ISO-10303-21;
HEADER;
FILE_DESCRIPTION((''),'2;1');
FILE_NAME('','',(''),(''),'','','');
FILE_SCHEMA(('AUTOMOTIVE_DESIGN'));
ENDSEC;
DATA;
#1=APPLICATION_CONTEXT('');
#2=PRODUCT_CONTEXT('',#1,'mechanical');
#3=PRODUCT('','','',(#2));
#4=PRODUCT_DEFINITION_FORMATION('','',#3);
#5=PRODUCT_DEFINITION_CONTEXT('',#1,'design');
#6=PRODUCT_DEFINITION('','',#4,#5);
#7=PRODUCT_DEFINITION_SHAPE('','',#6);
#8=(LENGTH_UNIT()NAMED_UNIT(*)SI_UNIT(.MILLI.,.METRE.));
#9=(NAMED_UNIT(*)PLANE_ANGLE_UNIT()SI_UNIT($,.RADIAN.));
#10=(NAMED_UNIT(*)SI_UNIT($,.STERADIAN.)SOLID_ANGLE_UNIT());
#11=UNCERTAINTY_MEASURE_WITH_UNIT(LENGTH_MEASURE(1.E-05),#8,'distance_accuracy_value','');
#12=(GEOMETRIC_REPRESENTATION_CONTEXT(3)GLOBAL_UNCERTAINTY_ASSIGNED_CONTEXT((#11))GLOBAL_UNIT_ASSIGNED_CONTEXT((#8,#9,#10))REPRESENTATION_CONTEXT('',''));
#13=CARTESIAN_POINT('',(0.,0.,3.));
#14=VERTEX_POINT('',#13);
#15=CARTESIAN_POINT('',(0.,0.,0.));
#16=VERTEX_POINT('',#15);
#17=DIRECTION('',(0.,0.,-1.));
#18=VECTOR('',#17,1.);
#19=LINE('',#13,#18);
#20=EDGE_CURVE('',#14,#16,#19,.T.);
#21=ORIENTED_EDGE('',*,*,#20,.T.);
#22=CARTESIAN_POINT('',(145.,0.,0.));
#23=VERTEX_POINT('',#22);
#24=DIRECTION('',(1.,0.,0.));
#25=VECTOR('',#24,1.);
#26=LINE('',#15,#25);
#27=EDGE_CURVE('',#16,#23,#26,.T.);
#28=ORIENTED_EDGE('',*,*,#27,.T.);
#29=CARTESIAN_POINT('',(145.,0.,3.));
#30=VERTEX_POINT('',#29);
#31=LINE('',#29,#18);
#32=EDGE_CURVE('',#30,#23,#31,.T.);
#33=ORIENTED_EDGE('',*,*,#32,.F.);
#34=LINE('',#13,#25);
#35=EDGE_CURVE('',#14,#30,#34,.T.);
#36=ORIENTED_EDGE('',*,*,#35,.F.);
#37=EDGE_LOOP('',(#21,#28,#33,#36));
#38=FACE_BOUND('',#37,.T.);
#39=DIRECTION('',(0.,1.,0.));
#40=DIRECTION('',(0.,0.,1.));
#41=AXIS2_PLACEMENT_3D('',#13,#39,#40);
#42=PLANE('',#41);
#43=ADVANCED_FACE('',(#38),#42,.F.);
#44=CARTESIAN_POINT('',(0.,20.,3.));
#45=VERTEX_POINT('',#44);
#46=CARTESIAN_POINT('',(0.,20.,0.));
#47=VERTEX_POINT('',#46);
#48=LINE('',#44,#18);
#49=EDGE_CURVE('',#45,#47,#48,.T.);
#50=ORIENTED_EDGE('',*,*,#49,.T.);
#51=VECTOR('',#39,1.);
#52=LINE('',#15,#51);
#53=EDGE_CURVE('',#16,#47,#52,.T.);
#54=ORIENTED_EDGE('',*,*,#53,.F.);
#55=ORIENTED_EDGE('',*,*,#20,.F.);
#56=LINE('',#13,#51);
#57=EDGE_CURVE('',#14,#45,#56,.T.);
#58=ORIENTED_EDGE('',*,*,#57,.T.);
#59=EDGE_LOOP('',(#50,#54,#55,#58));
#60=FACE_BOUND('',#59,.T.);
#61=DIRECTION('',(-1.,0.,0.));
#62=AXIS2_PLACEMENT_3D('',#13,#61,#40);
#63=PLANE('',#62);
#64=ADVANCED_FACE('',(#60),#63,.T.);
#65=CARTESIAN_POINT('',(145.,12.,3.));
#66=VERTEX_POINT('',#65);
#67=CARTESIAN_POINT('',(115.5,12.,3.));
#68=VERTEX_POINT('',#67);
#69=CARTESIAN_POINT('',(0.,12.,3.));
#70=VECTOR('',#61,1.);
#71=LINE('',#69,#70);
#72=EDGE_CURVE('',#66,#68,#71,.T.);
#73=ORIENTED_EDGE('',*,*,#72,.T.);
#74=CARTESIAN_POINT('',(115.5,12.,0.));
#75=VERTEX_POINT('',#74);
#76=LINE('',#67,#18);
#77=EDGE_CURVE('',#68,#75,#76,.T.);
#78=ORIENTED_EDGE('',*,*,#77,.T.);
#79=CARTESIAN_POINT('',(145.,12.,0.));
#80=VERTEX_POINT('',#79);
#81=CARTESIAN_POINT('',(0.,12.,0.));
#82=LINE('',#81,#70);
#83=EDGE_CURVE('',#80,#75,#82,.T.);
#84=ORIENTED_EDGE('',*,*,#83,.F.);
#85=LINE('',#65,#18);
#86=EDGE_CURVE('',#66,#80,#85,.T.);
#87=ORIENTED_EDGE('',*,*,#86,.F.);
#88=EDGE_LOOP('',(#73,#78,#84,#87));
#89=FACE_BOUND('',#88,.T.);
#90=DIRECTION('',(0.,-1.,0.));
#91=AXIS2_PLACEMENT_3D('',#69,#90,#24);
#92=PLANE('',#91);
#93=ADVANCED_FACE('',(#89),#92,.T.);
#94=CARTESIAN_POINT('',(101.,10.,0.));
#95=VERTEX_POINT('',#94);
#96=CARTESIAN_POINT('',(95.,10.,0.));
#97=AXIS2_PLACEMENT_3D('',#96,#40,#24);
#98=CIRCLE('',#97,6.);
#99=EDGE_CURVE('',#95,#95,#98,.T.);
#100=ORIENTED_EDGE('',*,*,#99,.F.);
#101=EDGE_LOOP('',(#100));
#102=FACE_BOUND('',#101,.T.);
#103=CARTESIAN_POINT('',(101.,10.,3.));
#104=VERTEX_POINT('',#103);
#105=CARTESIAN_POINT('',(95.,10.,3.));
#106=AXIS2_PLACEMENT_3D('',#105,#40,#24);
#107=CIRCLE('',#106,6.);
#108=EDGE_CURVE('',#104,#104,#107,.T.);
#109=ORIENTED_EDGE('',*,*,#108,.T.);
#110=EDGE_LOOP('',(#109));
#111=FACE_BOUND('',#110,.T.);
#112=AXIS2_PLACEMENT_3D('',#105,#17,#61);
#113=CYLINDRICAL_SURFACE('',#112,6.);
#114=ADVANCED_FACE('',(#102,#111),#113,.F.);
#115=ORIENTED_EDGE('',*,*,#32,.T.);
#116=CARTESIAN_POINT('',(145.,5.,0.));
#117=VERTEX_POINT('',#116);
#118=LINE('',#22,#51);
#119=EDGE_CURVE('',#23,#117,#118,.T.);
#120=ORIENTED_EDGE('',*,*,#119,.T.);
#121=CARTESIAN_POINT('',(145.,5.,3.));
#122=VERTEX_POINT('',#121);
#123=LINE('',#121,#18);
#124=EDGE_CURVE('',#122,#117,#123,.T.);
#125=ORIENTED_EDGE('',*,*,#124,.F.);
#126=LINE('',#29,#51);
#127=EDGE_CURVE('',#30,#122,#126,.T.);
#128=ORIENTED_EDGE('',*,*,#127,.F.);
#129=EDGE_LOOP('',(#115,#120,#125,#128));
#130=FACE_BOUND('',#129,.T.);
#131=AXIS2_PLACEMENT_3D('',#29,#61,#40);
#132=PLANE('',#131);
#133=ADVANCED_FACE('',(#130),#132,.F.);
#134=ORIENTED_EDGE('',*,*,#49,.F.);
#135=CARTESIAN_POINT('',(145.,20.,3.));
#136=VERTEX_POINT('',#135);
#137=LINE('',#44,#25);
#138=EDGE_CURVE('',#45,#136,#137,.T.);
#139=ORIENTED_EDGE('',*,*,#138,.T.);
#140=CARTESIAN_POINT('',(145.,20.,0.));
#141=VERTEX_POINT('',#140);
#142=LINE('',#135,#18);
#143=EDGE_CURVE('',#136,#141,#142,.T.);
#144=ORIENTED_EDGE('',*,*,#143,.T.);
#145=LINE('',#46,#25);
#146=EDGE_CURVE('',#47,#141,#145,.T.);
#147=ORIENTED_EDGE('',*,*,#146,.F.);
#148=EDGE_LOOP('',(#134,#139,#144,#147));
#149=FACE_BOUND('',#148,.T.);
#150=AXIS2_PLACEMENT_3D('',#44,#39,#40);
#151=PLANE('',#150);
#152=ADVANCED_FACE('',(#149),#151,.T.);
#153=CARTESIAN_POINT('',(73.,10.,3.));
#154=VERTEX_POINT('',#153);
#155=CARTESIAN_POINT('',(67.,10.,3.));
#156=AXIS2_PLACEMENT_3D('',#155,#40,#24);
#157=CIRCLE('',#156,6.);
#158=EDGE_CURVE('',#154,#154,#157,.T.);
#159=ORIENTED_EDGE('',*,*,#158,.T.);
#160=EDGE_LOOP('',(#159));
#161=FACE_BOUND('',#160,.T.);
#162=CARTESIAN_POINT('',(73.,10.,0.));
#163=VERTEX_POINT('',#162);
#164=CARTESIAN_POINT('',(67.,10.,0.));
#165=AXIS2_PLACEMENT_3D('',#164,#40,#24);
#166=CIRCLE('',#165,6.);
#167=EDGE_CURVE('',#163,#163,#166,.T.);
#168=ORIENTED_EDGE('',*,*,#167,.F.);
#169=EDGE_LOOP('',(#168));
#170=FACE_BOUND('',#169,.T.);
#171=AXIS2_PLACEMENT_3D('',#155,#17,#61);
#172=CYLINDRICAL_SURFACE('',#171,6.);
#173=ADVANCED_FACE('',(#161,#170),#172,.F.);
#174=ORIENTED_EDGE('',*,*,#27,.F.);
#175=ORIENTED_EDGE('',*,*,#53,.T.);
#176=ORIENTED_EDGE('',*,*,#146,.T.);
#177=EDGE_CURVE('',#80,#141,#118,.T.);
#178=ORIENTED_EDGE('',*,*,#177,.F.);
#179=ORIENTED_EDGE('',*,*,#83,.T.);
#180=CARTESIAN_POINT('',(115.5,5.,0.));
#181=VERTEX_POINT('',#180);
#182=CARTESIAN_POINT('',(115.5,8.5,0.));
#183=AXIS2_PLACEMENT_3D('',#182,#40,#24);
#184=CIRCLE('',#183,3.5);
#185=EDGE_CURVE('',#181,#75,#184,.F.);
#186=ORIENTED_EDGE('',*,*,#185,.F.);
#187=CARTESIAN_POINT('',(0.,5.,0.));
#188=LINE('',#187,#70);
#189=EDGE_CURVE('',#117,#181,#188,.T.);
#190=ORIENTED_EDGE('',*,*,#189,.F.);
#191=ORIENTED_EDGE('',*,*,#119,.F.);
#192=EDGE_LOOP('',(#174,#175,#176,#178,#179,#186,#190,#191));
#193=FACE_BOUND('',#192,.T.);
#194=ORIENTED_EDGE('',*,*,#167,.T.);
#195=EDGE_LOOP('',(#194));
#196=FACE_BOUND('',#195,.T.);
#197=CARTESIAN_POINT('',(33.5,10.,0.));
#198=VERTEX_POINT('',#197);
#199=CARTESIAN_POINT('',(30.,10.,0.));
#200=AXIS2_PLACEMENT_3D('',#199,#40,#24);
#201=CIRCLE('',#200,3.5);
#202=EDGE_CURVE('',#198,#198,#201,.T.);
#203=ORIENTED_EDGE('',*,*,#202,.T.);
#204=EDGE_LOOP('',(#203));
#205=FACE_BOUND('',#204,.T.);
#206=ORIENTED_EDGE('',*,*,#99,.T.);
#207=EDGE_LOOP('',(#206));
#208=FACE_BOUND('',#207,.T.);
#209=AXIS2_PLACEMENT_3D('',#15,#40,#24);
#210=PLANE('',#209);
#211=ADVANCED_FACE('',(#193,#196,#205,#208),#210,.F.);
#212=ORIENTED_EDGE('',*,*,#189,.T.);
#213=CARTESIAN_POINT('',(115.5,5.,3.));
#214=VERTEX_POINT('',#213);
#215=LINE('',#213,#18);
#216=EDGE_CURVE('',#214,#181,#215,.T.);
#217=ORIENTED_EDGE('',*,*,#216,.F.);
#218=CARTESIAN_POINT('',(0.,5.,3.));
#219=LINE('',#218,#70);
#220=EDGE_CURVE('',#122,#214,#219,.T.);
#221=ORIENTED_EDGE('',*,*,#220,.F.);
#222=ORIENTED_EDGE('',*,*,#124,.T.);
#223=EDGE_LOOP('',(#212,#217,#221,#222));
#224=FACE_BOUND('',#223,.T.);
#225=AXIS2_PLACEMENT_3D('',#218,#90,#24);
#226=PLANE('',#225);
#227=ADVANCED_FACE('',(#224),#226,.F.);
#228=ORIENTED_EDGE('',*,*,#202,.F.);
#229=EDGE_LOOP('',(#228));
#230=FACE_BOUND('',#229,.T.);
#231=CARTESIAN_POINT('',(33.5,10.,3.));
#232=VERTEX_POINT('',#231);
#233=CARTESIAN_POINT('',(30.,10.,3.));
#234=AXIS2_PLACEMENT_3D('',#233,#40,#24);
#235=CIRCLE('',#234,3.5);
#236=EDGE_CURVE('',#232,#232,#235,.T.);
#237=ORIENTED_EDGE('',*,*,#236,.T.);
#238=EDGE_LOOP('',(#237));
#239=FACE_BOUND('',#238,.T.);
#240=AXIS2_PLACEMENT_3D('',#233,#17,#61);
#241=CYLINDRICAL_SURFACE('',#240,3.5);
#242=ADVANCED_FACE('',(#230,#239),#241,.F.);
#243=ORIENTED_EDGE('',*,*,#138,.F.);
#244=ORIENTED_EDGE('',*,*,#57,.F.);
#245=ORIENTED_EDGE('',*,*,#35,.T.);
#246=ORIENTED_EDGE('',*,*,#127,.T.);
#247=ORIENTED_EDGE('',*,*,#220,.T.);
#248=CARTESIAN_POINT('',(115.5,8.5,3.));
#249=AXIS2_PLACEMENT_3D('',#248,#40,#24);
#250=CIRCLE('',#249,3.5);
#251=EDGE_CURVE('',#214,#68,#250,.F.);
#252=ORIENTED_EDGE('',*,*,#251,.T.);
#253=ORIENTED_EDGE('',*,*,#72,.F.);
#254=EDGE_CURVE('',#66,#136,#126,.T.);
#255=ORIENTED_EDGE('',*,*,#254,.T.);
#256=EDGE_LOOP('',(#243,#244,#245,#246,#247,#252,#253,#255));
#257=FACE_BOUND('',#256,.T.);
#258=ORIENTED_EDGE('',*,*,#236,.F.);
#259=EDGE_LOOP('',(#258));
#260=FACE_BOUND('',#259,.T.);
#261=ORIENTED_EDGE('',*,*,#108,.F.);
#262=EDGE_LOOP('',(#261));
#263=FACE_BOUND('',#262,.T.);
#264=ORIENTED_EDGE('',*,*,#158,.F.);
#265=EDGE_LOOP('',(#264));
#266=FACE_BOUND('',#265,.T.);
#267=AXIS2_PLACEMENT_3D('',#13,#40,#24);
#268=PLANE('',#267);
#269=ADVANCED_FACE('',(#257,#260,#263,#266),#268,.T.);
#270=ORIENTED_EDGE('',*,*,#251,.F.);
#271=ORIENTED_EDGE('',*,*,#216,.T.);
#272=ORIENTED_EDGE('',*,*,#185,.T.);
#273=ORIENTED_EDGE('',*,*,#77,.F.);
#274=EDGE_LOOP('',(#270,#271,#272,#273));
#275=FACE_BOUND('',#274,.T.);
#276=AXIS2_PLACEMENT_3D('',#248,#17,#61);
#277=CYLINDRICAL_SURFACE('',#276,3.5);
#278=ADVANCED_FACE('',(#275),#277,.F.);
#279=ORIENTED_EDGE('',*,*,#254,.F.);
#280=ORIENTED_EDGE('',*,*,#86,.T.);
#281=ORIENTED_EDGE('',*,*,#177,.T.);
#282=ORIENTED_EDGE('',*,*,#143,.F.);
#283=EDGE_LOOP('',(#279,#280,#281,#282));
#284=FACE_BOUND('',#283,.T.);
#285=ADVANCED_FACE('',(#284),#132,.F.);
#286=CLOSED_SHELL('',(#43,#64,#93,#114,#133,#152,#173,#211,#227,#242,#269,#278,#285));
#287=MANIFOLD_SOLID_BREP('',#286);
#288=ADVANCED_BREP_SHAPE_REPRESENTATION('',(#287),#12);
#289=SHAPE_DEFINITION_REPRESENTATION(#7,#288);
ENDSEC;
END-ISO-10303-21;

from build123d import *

# Parameters (mm, degrees)
SKETCH1_R           = 3.5
SKETCH1_R_2         = 6
BOSS_EXTRUDE1_DEPTH = 3


with BuildPart() as part:
    # Sketch1 → Boss-Extrude1 (new body)
    with BuildSketch(Plane.XY):
        with BuildLine():
            Line((0, 20), (0, 0))
            Line((0, 0), (145, 0))
            Line((145, 0), (145, 5))
            Line((145, 5), (115.5, 5))
            ThreePointArc((115.5, 5), (112, 8.5), (115.5, 12))
            Line((115.5, 12), (145, 12))
            Line((145, 12), (145, 20))
            Line((145, 20), (0, 20))
        make_face()
        with Locations((30, 10)):
            Circle(SKETCH1_R, mode=Mode.SUBTRACT)
        with Locations((67, 10)):
            Circle(SKETCH1_R_2, mode=Mode.SUBTRACT)
        with Locations((95, 10)):
            Circle(SKETCH1_R_2, mode=Mode.SUBTRACT)
    extrude(amount=BOSS_EXTRUDE1_DEPTH)


solid = part.part
